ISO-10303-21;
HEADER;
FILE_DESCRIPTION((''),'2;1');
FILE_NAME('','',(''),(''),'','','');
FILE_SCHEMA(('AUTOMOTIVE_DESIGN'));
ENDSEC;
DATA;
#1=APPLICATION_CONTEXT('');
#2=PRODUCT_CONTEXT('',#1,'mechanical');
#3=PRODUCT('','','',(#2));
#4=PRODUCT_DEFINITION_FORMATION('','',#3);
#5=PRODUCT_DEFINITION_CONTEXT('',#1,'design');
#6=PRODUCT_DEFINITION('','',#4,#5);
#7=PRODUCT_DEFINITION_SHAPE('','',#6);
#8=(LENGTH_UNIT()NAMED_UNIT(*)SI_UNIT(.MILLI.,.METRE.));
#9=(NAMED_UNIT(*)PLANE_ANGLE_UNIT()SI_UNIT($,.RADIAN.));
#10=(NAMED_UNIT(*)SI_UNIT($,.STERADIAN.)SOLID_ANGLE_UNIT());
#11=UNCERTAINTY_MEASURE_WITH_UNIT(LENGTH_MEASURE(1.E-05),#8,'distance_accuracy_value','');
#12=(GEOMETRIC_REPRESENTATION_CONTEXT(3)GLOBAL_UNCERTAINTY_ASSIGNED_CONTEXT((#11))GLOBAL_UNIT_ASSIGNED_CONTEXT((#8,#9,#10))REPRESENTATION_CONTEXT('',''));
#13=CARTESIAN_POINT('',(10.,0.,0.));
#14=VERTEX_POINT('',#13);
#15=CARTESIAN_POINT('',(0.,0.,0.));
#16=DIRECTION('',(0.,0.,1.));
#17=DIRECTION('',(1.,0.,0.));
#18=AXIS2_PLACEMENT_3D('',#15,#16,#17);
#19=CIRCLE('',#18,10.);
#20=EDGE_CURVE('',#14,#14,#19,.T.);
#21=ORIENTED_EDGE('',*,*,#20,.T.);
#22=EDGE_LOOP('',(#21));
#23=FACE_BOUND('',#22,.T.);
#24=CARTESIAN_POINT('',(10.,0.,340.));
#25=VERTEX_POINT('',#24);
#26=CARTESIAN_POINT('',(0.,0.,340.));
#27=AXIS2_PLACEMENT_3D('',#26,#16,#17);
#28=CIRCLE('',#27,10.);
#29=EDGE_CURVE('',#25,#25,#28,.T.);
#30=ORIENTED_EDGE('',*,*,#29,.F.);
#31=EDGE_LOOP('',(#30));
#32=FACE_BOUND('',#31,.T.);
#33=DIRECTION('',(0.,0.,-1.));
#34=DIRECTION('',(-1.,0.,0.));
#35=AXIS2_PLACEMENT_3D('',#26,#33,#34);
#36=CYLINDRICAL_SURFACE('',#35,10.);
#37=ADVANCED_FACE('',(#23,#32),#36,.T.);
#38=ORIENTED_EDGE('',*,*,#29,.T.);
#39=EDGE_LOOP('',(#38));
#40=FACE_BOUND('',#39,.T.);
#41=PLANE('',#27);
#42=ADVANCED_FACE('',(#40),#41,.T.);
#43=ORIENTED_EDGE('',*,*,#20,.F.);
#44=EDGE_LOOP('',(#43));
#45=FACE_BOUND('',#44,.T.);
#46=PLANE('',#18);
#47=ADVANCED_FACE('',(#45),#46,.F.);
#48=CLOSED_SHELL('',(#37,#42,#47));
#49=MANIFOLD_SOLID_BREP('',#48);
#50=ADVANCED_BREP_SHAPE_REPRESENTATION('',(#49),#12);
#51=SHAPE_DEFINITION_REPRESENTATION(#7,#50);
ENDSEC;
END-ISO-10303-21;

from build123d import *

# Parameters (mm, degrees)
ESQUISSE1_R        = 10
BOSS_EXTRU_1_DEPTH = 340


with BuildPart() as part:
    # Esquisse1 → Boss.-Extru.1 (new body)
    with BuildSketch(Plane.XY):
        Circle(ESQUISSE1_R)
    extrude(amount=BOSS_EXTRU_1_DEPTH)


solid = part.part
